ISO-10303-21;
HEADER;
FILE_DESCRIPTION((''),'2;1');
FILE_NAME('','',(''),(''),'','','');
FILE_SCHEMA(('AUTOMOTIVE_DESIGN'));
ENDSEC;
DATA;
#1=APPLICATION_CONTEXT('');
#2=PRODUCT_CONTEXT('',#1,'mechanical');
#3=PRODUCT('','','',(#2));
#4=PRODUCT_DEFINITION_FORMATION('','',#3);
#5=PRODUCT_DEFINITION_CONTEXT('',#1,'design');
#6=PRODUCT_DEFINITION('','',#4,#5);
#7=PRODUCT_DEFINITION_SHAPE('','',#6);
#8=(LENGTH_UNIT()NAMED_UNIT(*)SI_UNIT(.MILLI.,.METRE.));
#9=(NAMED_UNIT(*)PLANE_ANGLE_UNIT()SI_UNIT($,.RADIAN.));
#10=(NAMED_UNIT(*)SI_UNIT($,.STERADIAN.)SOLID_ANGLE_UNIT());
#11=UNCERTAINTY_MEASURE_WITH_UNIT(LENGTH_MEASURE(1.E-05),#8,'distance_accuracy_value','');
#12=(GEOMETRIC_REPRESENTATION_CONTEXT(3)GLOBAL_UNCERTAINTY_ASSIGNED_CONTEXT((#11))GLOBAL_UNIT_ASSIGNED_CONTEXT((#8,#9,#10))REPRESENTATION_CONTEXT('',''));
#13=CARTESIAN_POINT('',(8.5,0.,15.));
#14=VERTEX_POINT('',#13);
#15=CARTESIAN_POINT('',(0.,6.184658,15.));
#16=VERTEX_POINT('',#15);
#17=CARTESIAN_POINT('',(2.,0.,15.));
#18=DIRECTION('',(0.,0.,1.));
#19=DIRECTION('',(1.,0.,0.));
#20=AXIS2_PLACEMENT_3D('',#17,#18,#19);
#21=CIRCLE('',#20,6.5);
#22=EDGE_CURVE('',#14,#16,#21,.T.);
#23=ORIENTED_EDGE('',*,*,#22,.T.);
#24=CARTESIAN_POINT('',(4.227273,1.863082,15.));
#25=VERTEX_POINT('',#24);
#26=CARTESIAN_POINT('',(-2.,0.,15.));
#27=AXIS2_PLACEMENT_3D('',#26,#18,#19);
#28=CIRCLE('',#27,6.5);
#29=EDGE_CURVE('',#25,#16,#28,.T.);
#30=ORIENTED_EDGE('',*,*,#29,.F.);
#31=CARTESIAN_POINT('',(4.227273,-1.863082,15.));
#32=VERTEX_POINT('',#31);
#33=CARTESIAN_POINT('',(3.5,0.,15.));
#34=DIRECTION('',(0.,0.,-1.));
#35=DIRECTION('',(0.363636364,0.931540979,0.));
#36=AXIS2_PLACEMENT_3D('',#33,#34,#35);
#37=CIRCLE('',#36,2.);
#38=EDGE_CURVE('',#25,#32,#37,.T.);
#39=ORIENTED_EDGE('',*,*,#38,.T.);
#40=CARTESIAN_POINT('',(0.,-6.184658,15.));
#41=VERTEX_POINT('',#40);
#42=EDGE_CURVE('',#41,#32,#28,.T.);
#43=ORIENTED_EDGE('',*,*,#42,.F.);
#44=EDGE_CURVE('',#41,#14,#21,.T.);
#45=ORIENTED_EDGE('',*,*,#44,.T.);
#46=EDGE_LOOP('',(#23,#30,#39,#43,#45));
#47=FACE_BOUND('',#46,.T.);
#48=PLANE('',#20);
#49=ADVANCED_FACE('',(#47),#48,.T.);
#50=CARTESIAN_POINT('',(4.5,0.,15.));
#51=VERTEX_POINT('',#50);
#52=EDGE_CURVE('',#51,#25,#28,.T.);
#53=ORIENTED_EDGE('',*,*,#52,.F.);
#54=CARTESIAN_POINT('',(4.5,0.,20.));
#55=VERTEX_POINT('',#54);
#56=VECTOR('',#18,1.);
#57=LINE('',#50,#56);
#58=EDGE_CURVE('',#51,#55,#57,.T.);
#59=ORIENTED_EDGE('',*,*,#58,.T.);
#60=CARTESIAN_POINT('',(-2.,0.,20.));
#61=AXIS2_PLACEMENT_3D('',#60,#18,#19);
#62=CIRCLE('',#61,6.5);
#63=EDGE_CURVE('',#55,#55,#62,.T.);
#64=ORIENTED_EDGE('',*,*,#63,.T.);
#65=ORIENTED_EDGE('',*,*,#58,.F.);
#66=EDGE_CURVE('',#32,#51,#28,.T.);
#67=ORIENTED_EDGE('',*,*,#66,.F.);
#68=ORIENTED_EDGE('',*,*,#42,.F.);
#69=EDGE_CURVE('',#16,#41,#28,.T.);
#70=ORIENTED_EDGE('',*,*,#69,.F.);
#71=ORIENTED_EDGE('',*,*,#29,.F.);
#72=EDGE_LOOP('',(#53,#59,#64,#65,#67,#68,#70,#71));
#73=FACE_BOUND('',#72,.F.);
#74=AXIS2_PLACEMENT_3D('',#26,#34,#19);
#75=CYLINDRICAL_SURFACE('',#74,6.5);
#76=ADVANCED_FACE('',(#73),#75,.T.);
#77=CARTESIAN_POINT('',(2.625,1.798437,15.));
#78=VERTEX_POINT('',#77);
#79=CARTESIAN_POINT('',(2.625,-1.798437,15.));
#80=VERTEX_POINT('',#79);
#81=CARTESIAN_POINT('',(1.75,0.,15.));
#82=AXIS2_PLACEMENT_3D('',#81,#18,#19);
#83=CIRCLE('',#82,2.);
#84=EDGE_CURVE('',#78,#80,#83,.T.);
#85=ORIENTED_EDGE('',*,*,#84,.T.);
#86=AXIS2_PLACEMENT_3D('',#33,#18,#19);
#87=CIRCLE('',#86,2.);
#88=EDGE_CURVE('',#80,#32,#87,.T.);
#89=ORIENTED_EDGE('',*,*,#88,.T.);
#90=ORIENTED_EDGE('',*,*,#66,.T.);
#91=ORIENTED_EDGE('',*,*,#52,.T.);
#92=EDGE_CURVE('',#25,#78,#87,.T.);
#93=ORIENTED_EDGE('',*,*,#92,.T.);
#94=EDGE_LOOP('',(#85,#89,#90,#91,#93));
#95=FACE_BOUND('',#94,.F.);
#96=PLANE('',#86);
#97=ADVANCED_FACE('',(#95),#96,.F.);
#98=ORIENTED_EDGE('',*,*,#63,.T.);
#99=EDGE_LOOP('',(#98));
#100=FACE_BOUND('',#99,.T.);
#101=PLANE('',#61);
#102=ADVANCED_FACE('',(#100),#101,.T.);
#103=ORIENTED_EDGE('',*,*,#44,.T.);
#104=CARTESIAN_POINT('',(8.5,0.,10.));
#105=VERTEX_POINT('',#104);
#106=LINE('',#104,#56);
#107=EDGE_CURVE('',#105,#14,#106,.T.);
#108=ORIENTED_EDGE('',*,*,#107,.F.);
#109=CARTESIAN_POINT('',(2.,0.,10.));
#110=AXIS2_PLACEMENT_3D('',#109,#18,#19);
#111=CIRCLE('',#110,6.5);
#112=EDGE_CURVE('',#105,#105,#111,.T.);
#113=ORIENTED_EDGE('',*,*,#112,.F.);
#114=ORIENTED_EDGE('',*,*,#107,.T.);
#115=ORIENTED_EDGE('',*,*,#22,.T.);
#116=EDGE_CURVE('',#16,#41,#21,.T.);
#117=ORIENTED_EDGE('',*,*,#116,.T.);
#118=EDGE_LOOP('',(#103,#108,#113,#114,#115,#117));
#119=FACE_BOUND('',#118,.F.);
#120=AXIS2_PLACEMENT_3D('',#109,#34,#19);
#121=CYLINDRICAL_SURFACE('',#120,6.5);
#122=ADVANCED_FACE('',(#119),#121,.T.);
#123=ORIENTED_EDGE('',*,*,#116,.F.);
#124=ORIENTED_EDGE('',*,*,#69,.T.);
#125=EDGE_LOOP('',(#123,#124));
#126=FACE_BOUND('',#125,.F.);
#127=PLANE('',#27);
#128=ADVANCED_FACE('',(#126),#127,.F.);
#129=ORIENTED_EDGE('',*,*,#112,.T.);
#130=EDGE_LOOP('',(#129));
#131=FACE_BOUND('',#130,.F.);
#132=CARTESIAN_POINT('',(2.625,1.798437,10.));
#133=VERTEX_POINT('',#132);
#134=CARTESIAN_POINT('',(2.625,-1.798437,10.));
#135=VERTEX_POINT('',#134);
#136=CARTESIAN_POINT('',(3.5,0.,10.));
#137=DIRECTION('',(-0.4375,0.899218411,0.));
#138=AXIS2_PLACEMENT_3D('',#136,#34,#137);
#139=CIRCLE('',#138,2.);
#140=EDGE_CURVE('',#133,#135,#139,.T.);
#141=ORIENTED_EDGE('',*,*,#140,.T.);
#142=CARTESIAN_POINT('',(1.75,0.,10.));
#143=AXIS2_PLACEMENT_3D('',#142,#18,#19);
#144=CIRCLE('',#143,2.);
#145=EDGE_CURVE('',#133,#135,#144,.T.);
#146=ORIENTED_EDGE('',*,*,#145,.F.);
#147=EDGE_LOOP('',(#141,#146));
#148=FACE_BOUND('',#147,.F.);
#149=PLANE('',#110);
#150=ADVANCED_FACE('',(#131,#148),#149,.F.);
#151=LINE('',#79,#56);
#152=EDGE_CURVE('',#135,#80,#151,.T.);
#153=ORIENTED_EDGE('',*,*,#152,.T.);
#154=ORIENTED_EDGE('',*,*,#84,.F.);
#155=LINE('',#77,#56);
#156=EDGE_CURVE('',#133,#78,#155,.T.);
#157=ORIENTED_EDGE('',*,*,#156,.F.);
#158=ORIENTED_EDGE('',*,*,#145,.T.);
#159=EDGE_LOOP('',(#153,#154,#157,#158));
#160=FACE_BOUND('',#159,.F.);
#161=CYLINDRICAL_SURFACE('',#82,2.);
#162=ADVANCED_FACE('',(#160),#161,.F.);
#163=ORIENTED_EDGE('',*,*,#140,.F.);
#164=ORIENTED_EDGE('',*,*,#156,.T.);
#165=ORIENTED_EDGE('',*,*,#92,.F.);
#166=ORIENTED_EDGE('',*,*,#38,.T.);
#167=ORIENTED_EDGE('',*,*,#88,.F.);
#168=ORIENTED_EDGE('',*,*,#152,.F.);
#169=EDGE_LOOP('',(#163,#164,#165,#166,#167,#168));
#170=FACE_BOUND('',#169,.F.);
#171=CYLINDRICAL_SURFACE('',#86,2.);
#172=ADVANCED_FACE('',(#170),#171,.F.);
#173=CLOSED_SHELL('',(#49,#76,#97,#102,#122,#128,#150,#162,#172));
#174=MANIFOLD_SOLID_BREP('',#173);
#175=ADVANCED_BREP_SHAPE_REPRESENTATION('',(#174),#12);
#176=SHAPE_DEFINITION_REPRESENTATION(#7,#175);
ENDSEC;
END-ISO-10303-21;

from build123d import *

# Parameters (mm, degrees)
KEY1SKETCH_R       = 6.5
KEYPADPAD_DEPTH    = 5
KEY2SKETCH_R       = 6.5
KEYPADPAD001_DEPTH = 5
PIN1SKETCH001_R    = 2
PIN1POCKET_DEPTH   = 10
PIN2SKETCH001_R    = 2
PIN2POCKET_DEPTH   = 10


with BuildPart() as part:
    # key1Sketch → keyPadPad (new body)
    with BuildSketch(Plane.XY):
        with Locations((2, 0)):
            Circle(KEY1SKETCH_R)
    extrude(amount=KEYPADPAD_DEPTH)

    # key2Sketch → keyPadPad001 (join)
    with BuildSketch(Plane.XY.offset(5)):
        with Locations((-2, 0)):
            Circle(KEY2SKETCH_R)
    extrude(amount=KEYPADPAD001_DEPTH)

    # Pin1Sketch001 → Pin1Pocket (cut)
    with BuildSketch(Plane.XY.offset(5)):
        with Locations((1.75, 0)):
            Circle(PIN1SKETCH001_R)
    extrude(amount=-PIN1POCKET_DEPTH, mode=Mode.SUBTRACT)

    # Pin2Sketch001 → Pin2Pocket (cut)
    with BuildSketch(Plane.XY.offset(5)):
        with Locations((3.5, 0)):
            Circle(PIN2SKETCH001_R)
    extrude(amount=-PIN2POCKET_DEPTH, mode=Mode.SUBTRACT)


with BuildPart() as part_1:
    # eccentricKey placement: moved
    add(part.part.moved(Location((0, 0, 10))))


solid = part_1.part
